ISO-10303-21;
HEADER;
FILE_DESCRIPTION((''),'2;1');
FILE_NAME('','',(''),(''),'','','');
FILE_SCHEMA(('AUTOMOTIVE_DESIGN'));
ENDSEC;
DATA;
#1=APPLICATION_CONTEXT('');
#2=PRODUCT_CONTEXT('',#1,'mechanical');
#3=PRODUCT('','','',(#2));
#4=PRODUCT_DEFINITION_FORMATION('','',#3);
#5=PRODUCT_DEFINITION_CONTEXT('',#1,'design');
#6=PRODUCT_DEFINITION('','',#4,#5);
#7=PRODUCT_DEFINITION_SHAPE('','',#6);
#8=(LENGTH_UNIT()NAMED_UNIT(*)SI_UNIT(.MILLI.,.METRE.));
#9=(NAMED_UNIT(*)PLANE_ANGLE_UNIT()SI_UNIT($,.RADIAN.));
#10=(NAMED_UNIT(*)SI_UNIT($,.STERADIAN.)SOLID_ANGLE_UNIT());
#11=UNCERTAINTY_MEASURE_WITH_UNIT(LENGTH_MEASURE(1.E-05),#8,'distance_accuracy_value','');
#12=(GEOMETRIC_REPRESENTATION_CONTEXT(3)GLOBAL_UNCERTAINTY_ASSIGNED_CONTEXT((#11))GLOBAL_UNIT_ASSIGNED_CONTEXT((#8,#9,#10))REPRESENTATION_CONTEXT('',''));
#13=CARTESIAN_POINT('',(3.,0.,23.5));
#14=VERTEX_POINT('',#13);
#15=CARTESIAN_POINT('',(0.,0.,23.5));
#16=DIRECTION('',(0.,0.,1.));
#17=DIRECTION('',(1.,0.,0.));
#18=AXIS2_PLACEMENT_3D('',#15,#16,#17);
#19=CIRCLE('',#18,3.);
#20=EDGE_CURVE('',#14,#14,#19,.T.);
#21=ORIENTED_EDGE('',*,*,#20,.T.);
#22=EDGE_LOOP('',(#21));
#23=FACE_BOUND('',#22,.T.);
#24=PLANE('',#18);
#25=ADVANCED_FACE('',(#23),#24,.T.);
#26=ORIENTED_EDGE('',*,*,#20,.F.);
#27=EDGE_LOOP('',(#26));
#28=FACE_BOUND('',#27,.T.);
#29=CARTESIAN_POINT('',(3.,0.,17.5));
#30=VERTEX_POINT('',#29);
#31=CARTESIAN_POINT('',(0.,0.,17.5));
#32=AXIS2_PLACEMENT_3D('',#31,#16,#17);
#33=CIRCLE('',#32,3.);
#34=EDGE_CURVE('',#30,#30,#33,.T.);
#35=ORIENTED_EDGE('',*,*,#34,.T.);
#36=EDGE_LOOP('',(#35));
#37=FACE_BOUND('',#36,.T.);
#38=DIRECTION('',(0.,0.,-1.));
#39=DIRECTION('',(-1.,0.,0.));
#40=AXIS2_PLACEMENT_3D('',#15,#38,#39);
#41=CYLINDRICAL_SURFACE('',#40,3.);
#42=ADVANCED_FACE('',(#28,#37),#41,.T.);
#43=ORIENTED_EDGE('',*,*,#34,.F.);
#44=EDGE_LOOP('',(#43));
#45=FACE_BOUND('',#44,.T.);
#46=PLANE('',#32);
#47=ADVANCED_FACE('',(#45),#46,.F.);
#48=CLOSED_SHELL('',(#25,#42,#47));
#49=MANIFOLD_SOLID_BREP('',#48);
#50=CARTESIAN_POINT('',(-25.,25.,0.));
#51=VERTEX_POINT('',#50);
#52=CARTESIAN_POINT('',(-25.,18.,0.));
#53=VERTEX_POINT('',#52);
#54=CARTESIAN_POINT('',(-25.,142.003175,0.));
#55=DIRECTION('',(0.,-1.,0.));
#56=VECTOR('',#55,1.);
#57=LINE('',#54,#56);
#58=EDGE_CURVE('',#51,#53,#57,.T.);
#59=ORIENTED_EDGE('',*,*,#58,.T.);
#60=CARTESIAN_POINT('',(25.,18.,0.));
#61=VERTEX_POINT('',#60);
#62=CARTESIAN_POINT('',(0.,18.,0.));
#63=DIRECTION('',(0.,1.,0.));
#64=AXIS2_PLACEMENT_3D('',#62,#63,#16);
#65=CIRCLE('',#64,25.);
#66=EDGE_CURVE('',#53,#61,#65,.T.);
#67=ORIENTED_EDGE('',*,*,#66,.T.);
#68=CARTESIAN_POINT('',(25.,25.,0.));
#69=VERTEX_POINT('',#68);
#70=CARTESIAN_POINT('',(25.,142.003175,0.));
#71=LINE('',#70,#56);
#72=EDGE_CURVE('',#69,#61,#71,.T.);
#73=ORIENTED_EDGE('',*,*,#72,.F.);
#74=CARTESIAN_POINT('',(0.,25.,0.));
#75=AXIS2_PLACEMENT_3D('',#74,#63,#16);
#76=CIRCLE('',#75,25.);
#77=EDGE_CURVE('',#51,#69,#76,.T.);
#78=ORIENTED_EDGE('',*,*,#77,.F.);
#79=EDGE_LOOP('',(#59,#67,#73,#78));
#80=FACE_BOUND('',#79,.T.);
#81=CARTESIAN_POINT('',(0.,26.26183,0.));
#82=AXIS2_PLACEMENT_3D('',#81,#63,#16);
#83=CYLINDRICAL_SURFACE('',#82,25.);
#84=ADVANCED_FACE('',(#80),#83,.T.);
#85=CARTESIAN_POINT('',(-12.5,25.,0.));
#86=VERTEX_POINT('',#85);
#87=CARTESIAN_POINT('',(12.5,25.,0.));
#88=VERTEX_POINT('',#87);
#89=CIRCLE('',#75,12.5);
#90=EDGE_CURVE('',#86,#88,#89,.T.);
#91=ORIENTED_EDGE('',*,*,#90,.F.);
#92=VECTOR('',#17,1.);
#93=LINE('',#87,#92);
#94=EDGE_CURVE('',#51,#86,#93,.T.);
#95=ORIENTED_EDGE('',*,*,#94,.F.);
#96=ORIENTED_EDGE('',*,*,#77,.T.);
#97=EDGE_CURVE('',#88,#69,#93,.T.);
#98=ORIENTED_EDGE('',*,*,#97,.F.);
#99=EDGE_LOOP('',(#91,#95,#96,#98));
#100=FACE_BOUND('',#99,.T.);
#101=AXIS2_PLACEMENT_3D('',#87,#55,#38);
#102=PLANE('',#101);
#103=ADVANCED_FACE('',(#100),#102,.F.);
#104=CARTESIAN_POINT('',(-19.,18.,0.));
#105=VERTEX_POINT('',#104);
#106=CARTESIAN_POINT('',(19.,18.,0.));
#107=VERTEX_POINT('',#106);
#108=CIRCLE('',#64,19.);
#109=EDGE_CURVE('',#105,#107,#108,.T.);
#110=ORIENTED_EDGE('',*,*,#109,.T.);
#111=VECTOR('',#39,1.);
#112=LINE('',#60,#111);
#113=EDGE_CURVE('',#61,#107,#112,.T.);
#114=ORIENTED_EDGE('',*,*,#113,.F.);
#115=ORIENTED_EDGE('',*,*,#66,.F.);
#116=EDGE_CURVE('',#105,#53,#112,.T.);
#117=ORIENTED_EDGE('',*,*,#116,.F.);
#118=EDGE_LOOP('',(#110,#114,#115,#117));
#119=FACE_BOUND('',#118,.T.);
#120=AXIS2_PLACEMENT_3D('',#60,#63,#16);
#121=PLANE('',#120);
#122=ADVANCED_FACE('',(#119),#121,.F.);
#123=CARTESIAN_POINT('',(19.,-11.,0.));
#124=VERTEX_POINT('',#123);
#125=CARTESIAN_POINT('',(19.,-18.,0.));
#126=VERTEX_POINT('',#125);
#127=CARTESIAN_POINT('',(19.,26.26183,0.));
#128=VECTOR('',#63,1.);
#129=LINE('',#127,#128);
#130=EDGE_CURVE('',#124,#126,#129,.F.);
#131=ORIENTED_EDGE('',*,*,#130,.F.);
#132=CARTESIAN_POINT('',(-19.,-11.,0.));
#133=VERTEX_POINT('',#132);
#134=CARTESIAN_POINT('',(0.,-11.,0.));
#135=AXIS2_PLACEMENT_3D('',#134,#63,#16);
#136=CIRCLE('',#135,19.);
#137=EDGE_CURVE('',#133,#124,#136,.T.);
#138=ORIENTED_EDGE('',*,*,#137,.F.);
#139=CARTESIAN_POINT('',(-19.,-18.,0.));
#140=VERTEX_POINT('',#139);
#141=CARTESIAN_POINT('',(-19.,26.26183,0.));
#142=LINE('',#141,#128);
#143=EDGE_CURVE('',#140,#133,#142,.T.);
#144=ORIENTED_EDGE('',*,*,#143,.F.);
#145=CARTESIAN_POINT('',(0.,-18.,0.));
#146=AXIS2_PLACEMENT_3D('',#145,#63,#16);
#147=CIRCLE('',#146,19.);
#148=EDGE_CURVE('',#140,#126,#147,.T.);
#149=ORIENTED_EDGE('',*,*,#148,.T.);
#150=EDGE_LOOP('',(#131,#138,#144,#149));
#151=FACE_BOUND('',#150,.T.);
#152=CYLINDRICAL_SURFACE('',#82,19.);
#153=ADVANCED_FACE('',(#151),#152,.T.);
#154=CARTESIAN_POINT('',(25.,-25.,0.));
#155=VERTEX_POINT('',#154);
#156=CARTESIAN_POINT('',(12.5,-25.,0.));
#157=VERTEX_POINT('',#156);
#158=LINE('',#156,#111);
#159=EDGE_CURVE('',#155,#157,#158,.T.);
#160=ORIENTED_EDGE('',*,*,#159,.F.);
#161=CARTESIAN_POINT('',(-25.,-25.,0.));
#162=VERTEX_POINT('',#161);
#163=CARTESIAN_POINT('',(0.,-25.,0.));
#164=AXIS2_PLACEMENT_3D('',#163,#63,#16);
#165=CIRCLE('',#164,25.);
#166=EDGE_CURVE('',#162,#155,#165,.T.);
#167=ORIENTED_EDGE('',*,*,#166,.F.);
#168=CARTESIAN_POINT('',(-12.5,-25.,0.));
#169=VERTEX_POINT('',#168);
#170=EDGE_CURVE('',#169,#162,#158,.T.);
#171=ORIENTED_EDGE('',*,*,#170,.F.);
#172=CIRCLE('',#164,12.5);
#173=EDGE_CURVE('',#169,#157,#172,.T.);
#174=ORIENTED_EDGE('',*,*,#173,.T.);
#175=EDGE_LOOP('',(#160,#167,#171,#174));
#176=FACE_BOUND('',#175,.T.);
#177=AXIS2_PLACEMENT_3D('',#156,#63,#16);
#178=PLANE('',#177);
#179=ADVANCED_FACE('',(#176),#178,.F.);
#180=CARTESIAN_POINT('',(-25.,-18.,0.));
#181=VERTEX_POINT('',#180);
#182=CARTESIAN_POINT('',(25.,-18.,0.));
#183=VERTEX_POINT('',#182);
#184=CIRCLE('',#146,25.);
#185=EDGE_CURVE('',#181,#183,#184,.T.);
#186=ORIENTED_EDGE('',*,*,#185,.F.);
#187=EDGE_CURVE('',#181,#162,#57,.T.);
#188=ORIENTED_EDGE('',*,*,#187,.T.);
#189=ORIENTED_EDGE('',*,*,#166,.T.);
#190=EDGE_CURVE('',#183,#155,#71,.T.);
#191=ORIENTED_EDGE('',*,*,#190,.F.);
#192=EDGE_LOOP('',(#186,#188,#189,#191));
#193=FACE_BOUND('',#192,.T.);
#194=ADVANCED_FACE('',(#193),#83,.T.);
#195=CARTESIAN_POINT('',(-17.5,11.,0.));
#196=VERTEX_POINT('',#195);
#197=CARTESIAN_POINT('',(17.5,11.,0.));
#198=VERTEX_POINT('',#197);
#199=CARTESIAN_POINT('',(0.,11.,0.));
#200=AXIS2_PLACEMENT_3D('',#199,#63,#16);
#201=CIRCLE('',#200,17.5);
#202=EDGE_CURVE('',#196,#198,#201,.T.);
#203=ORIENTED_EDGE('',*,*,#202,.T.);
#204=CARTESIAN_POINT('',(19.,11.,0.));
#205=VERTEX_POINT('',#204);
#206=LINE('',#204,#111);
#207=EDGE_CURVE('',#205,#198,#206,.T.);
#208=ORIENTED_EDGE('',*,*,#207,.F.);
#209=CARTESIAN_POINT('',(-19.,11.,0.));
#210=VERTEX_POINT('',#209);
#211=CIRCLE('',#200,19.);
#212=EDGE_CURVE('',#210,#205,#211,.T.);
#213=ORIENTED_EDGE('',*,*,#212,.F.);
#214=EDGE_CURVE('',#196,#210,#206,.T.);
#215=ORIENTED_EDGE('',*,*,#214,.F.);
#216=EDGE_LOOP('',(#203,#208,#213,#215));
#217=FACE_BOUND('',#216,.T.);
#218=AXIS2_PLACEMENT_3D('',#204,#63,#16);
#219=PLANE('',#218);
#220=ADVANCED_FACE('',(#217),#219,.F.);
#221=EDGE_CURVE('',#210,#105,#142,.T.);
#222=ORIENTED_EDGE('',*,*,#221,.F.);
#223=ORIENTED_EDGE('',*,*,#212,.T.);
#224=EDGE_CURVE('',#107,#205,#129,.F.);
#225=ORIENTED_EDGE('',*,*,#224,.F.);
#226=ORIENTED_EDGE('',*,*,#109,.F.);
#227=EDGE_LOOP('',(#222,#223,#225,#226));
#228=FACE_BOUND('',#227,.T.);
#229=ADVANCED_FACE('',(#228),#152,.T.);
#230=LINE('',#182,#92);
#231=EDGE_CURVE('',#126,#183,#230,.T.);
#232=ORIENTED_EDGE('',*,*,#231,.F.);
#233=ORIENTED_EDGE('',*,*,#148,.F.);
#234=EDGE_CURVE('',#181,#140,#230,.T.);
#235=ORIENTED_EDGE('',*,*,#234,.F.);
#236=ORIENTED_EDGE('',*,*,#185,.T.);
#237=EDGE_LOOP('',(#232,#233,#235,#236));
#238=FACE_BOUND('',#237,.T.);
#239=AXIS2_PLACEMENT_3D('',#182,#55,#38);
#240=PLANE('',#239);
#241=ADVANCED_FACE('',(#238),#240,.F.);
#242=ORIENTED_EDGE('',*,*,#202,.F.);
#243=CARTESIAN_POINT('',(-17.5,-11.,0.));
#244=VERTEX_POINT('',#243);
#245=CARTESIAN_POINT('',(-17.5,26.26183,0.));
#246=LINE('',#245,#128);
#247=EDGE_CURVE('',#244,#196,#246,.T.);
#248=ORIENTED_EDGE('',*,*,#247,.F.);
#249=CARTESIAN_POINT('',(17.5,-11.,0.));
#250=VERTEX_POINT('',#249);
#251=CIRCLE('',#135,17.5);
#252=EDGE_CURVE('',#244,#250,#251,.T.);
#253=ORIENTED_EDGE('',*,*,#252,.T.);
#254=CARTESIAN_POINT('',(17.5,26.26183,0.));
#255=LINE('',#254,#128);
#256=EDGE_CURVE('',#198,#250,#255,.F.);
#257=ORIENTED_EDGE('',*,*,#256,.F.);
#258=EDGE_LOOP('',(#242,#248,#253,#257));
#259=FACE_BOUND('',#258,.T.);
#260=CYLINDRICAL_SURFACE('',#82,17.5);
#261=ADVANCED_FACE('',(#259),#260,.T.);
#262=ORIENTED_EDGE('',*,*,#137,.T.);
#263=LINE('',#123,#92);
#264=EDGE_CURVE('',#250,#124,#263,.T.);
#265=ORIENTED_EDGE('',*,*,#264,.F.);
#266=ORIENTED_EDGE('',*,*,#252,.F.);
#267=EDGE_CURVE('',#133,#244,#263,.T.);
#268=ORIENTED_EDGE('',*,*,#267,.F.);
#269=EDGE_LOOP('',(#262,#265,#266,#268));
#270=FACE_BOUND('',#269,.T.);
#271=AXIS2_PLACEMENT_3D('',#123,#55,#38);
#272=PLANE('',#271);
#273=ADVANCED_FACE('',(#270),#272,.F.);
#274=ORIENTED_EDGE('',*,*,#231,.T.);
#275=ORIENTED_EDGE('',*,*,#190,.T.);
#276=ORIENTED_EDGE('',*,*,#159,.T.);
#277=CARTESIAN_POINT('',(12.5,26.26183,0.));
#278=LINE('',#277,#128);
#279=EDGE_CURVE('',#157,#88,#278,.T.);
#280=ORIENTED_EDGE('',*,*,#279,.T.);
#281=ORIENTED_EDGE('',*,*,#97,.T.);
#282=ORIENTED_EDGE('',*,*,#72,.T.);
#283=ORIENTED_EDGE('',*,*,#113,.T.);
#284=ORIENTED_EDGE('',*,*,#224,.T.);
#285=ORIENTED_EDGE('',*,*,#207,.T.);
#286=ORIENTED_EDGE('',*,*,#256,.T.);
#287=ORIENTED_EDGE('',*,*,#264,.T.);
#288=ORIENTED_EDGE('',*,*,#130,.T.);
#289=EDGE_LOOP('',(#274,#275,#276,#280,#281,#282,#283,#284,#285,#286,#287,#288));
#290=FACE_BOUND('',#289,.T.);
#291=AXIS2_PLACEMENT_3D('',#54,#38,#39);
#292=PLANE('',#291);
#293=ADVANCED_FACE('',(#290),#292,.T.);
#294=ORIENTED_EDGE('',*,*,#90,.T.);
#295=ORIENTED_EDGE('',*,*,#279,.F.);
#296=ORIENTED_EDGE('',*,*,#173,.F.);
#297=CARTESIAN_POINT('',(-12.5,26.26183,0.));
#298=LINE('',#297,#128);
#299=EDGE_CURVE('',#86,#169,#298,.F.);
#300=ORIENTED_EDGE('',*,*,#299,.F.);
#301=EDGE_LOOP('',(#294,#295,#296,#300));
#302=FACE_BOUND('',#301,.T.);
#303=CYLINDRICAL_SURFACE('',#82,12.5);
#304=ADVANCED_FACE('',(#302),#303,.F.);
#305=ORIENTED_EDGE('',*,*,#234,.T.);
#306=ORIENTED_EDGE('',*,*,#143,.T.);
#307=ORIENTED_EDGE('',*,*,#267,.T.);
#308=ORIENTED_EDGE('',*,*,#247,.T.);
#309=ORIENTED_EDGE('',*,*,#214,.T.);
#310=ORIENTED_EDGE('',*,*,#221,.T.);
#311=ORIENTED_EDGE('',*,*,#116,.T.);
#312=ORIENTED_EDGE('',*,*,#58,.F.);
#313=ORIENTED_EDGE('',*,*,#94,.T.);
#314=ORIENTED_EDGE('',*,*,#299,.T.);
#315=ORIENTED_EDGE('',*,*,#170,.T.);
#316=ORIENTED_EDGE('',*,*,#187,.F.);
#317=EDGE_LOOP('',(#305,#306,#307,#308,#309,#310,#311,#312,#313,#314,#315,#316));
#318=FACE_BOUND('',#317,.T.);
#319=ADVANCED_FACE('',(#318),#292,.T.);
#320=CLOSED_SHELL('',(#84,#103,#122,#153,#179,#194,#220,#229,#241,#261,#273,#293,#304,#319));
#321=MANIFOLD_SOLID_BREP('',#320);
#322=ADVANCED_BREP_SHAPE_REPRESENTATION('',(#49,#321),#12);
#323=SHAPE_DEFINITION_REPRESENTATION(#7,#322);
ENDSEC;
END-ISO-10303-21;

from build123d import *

# Parameters (mm, degrees)
CUT_EXTRUDE2_DEPTH      = 62.23724357
CUT_EXTRUDE2_DEPTH_BACK = 62.23724357
SKETCH4_R               = 3
BOSS_EXTRUDE1_DEPTH     = 6


with BuildPart() as part:
    # Sketch1 → Revolve1 (revolve)
    with BuildSketch(Plane.XY, mode=Mode.PRIVATE) as revolve1_sk:
        Polygon((12.5, 25), (12.5, -25), (25, -25), (25, -18), (19, -18), (19, -11), (17.5, -11), (17.5, 11), (19, 11), (19, 18), (25, 18), (25, 25), align=None)
    revolve(revolve1_sk.sketch.rotate(Axis((0, 26.261829653, 0), (0, -1, 0)), 90), axis=Axis((0, 26.261829653, 0), (0, -1, 0)))

    # Sketch2 → Cut-Extrude2 (cut, two sides: drawn at the far end of the back side and taken through both)
    with BuildSketch(Plane(origin=(0, 25, 0), x_dir=(1, 0, 0), z_dir=(0, 1, 0)).offset(-CUT_EXTRUDE2_DEPTH_BACK)):
        Polygon((-146.803398875, 0), (-25, 0), (25, 0), (146.803398875, 0), (146.803398875, 243.60679775), (-146.803398875, 243.60679775), align=None)
    extrude(amount=CUT_EXTRUDE2_DEPTH + CUT_EXTRUDE2_DEPTH_BACK, mode=Mode.SUBTRACT)


with BuildPart() as body_2:
    # Sketch4 → Boss-Extrude1 (new body)
    with BuildSketch(Plane.XY.offset(17.5)):
        Circle(SKETCH4_R)
    extrude(amount=BOSS_EXTRUDE1_DEPTH)


solid = Compound([part.part, body_2.part])
